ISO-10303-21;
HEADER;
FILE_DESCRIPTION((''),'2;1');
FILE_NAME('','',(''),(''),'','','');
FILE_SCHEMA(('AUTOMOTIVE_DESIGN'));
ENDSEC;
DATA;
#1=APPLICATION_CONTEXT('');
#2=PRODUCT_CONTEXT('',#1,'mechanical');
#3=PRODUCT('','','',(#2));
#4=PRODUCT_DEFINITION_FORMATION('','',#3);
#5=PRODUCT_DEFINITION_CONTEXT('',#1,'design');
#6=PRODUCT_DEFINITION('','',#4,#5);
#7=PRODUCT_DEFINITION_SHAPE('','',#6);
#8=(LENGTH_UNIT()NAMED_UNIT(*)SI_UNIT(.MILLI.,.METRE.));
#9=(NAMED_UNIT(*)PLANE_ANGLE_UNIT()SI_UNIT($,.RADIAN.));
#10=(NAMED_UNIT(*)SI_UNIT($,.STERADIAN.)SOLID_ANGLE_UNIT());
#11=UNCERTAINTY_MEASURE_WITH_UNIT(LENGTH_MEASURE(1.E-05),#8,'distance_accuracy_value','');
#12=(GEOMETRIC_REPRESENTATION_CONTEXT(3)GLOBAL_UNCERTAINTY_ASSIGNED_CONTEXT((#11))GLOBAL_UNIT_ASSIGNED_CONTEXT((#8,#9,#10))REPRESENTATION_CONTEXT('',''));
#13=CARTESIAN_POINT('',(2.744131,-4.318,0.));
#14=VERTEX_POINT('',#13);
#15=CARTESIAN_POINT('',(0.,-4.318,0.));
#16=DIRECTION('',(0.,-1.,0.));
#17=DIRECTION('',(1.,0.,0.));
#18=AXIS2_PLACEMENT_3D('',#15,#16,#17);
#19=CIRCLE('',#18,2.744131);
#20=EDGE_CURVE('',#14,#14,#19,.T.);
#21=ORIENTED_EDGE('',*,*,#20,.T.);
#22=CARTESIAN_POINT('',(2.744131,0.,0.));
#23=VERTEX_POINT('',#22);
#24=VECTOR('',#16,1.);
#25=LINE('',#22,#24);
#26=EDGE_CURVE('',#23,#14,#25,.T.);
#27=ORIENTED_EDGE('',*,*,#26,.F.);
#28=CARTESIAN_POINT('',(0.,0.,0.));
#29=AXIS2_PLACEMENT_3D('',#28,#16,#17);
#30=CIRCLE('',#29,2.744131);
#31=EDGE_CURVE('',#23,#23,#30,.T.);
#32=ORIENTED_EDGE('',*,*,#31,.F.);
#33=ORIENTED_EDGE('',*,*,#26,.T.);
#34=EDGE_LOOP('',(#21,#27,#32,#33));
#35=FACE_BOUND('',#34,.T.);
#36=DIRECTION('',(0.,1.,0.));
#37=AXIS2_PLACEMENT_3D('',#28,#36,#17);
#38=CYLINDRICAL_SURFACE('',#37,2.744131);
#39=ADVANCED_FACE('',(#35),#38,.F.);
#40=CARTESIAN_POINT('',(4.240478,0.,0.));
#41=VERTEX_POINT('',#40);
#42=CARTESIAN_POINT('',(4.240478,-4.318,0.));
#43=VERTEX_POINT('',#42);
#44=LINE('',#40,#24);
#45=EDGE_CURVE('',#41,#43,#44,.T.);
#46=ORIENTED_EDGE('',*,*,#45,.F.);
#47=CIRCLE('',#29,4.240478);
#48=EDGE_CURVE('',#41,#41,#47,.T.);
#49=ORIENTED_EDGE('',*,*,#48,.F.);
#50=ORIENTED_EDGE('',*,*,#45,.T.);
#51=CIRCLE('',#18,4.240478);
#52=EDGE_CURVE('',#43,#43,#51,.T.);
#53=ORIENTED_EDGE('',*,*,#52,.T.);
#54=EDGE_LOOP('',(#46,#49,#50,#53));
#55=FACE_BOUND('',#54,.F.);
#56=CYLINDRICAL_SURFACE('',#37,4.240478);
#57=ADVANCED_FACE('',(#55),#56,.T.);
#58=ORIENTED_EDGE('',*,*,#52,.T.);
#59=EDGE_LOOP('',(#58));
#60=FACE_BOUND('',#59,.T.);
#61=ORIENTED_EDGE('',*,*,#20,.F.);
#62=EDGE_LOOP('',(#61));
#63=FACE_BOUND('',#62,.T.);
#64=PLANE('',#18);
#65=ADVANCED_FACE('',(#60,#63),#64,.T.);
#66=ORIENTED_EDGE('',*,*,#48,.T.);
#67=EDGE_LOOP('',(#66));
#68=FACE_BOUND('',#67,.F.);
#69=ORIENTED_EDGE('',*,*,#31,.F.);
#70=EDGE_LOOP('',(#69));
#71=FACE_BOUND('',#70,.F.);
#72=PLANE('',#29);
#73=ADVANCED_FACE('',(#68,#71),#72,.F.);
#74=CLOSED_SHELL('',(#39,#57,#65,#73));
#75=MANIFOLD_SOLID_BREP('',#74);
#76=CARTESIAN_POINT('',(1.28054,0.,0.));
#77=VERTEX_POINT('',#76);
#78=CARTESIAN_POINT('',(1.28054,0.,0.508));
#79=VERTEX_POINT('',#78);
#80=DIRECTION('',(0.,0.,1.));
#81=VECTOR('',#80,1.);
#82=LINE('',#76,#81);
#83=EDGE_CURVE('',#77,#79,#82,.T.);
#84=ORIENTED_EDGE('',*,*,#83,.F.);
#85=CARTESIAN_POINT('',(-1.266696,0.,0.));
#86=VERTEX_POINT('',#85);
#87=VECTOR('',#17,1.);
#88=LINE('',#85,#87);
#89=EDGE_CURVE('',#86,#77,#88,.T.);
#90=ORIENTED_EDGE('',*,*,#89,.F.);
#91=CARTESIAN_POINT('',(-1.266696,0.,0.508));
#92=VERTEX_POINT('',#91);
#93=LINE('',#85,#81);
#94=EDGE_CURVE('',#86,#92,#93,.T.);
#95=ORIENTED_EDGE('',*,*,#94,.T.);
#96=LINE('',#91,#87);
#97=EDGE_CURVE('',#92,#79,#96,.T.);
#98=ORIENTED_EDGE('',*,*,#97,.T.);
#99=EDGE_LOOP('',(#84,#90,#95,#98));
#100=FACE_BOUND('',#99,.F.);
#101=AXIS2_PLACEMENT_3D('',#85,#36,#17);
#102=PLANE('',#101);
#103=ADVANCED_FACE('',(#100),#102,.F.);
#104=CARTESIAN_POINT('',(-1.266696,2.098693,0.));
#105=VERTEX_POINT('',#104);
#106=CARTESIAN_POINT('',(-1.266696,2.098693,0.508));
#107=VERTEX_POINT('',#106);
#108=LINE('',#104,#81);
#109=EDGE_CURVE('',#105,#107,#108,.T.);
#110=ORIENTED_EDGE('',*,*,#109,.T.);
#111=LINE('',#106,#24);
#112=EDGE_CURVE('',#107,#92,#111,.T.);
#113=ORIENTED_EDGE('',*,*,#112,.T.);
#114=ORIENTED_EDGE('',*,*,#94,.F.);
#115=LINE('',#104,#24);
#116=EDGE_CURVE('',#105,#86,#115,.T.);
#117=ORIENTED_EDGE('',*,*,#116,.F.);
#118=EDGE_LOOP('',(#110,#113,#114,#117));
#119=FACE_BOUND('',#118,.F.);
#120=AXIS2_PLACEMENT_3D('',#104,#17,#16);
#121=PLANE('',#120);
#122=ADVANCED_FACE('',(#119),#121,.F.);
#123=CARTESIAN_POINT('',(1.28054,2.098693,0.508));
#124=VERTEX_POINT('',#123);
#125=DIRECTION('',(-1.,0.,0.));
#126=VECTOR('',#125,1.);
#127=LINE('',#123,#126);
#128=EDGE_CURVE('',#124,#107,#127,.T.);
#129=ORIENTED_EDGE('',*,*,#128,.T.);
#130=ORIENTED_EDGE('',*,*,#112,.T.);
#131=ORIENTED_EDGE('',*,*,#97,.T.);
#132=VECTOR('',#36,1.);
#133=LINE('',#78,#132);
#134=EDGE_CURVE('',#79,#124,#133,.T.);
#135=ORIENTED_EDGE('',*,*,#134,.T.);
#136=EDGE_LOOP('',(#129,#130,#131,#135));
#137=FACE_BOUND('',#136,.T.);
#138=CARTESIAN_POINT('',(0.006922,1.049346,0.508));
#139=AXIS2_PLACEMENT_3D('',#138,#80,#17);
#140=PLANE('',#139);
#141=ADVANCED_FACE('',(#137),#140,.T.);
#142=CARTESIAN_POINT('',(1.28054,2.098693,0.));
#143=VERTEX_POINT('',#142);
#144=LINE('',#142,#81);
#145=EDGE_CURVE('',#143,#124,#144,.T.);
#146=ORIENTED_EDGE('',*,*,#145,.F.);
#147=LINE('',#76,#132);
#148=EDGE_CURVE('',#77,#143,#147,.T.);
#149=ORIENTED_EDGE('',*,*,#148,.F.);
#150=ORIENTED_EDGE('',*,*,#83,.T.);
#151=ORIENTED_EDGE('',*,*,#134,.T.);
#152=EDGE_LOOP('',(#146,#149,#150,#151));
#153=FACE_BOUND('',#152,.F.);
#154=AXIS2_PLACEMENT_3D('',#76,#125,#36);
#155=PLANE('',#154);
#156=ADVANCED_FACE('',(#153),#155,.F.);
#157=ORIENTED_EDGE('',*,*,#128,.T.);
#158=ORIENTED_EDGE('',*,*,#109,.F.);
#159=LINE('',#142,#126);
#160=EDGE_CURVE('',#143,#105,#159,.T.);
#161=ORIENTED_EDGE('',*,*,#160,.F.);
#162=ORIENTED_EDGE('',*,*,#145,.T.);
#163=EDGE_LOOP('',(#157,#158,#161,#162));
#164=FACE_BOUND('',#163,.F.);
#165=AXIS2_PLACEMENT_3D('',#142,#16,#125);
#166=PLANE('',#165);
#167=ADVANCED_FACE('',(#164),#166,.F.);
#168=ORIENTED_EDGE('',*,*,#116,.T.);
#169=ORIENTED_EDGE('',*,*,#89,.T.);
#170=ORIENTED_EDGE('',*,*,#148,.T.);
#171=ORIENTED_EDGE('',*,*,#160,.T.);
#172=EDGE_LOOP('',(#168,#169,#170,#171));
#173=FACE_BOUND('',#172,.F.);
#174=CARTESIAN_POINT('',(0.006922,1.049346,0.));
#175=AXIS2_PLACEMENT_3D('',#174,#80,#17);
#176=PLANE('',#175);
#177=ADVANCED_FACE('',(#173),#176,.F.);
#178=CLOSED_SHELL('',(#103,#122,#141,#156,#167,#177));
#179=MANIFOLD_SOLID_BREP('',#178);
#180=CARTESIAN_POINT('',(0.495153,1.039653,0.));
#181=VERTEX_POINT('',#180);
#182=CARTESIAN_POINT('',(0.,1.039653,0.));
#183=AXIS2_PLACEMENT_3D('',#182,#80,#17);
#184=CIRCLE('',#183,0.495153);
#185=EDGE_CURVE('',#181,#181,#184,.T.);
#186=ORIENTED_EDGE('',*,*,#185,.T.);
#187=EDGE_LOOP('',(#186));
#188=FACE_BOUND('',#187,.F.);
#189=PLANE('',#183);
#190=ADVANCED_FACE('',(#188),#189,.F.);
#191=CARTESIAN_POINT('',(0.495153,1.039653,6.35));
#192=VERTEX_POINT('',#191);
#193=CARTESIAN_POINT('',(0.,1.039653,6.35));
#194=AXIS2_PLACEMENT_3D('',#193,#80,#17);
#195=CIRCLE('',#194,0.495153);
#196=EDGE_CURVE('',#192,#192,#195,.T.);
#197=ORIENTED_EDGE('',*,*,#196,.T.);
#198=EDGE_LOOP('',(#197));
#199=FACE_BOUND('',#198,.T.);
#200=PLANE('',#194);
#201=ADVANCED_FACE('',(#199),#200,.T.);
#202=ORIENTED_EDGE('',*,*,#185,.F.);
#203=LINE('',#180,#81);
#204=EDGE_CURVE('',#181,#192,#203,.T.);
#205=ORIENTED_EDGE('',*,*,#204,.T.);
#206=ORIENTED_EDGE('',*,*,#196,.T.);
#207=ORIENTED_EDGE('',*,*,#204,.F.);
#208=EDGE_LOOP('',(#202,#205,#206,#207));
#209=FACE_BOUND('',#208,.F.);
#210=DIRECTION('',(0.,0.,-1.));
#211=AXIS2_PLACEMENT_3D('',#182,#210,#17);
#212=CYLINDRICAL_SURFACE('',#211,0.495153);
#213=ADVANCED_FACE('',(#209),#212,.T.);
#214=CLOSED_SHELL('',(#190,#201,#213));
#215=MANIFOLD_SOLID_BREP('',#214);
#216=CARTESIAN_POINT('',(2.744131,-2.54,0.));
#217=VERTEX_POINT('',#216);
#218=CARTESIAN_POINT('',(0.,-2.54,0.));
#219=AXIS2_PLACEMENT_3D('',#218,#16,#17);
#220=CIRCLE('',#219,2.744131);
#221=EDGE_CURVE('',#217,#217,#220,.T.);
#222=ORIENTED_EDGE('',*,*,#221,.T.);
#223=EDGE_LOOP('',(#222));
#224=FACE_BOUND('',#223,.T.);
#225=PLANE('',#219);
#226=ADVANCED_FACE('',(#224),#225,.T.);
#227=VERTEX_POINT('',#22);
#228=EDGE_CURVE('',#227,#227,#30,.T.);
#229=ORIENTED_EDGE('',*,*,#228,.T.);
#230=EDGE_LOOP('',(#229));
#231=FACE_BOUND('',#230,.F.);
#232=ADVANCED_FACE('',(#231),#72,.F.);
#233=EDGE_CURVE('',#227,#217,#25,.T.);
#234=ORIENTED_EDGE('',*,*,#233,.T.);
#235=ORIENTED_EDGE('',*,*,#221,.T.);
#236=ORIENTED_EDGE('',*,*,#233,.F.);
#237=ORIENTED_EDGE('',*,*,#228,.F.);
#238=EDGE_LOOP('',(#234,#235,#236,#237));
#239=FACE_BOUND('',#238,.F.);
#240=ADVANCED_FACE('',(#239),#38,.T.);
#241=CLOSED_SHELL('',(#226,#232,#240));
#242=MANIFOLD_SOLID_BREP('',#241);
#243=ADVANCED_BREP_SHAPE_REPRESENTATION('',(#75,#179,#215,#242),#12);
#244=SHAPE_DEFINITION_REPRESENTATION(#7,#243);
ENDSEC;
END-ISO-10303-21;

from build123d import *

# Parameters (mm, degrees)
F1_R     = 0.495153
F2_DEPTH = 0.508
F3_DEPTH = 6.35
F0_R     = 4.240478
F0_R_2   = 2.744131
F4_DEPTH = 4.318
F5_DEPTH = 2.54


with BuildPart() as f2:
    # F1 (on Top) → F2 (new body)
    with BuildSketch(Plane.XY):
        Polygon((-1.266696, 0), (0, 0), (1.28054, 0), (1.28054, 2.098693), (-1.266696, 2.098693), align=None)
        with Locations((0, 1.039653)):
            Circle(F1_R, mode=Mode.SUBTRACT)
        with Locations((0, 1.039653)):
            Circle(F1_R)
    extrude(amount=F2_DEPTH)


with BuildPart() as f3:
    # F1 (on Top) → F3 (new body)
    with BuildSketch(Plane.XY):
        with Locations((0, 1.039653)):
            Circle(F1_R)
    extrude(amount=F3_DEPTH)


with BuildPart() as f4:
    # F0 (on Front) → F4 (new body)
    with BuildSketch(Plane.XZ):
        Circle(F0_R)
        Circle(F0_R_2, mode=Mode.SUBTRACT)
    extrude(amount=F4_DEPTH)


with BuildPart() as f5:
    # F0 (on Front) → F5 (new body)
    with BuildSketch(Plane.XZ):
        Circle(F0_R_2)
    extrude(amount=F5_DEPTH)


solid = Compound([f2.part, f3.part, f4.part, f5.part])
